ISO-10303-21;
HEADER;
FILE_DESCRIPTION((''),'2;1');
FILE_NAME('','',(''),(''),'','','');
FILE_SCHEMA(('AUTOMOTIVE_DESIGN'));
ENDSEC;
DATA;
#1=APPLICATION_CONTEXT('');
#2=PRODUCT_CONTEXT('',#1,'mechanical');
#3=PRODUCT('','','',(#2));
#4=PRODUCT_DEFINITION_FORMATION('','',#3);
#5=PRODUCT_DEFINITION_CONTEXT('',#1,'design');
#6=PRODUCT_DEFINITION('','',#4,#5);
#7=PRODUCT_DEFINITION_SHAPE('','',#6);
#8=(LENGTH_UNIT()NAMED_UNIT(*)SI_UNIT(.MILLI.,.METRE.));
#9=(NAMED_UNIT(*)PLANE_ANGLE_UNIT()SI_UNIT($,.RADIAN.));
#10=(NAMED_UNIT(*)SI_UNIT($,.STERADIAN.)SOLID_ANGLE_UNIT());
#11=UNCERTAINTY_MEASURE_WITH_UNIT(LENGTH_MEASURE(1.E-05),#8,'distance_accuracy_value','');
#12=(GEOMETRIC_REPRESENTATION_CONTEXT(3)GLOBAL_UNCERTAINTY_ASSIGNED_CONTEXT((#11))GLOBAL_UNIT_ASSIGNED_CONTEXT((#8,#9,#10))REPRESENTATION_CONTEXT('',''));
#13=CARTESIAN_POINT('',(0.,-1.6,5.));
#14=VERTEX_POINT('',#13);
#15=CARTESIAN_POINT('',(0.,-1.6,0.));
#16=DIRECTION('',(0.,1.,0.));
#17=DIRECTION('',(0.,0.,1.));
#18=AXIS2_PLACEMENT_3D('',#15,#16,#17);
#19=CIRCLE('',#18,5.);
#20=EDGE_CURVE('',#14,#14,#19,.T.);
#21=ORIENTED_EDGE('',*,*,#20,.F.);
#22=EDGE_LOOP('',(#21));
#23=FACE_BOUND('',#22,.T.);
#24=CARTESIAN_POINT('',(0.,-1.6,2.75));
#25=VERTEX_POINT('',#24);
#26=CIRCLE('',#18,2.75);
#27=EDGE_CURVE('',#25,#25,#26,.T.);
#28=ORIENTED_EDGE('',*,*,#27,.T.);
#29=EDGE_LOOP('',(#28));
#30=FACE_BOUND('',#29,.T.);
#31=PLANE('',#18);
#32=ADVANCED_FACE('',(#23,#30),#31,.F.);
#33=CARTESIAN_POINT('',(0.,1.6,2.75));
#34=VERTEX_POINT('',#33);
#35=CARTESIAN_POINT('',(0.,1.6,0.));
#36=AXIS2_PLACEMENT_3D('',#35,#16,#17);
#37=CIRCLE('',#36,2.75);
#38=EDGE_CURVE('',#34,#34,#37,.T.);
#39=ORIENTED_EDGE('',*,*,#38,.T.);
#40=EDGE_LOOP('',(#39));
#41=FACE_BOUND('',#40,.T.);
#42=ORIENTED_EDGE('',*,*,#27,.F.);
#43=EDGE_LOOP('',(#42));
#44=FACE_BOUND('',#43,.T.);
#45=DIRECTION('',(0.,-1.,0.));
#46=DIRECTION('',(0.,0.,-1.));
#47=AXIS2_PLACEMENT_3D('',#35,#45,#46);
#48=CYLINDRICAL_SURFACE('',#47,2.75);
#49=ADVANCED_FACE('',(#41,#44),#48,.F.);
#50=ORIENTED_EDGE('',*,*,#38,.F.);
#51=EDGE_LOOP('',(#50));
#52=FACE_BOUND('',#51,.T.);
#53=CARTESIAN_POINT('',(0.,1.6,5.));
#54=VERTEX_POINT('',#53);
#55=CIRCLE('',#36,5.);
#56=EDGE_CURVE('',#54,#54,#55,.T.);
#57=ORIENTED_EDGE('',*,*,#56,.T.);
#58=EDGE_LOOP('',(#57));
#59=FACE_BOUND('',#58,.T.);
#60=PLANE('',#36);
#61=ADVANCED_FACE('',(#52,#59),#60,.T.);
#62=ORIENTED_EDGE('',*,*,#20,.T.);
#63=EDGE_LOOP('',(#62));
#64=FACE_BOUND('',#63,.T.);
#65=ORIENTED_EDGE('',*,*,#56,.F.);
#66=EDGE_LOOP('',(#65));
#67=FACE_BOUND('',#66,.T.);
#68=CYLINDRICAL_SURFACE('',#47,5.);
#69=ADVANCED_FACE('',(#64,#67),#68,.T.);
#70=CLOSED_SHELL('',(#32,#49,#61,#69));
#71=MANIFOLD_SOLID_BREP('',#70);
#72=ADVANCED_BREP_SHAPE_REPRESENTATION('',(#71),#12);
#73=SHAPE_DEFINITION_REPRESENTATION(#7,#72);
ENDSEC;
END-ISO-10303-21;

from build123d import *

# Parameters (mm, degrees)
SKETCH1_R           = 5
SKETCH1_R_2         = 2.75
BOSS_EXTRUDE1_DEPTH = 1.6


with BuildPart() as part:
    # Sketch1 → Boss-Extrude1 (new body, symmetric)
    with BuildSketch(Plane(origin=(0, 0, 0), x_dir=(1, 0, 0), z_dir=(0, 1, 0))):
        Circle(SKETCH1_R)
        Circle(SKETCH1_R_2, mode=Mode.SUBTRACT)
    extrude(amount=BOSS_EXTRUDE1_DEPTH, both=True)


solid = part.part
